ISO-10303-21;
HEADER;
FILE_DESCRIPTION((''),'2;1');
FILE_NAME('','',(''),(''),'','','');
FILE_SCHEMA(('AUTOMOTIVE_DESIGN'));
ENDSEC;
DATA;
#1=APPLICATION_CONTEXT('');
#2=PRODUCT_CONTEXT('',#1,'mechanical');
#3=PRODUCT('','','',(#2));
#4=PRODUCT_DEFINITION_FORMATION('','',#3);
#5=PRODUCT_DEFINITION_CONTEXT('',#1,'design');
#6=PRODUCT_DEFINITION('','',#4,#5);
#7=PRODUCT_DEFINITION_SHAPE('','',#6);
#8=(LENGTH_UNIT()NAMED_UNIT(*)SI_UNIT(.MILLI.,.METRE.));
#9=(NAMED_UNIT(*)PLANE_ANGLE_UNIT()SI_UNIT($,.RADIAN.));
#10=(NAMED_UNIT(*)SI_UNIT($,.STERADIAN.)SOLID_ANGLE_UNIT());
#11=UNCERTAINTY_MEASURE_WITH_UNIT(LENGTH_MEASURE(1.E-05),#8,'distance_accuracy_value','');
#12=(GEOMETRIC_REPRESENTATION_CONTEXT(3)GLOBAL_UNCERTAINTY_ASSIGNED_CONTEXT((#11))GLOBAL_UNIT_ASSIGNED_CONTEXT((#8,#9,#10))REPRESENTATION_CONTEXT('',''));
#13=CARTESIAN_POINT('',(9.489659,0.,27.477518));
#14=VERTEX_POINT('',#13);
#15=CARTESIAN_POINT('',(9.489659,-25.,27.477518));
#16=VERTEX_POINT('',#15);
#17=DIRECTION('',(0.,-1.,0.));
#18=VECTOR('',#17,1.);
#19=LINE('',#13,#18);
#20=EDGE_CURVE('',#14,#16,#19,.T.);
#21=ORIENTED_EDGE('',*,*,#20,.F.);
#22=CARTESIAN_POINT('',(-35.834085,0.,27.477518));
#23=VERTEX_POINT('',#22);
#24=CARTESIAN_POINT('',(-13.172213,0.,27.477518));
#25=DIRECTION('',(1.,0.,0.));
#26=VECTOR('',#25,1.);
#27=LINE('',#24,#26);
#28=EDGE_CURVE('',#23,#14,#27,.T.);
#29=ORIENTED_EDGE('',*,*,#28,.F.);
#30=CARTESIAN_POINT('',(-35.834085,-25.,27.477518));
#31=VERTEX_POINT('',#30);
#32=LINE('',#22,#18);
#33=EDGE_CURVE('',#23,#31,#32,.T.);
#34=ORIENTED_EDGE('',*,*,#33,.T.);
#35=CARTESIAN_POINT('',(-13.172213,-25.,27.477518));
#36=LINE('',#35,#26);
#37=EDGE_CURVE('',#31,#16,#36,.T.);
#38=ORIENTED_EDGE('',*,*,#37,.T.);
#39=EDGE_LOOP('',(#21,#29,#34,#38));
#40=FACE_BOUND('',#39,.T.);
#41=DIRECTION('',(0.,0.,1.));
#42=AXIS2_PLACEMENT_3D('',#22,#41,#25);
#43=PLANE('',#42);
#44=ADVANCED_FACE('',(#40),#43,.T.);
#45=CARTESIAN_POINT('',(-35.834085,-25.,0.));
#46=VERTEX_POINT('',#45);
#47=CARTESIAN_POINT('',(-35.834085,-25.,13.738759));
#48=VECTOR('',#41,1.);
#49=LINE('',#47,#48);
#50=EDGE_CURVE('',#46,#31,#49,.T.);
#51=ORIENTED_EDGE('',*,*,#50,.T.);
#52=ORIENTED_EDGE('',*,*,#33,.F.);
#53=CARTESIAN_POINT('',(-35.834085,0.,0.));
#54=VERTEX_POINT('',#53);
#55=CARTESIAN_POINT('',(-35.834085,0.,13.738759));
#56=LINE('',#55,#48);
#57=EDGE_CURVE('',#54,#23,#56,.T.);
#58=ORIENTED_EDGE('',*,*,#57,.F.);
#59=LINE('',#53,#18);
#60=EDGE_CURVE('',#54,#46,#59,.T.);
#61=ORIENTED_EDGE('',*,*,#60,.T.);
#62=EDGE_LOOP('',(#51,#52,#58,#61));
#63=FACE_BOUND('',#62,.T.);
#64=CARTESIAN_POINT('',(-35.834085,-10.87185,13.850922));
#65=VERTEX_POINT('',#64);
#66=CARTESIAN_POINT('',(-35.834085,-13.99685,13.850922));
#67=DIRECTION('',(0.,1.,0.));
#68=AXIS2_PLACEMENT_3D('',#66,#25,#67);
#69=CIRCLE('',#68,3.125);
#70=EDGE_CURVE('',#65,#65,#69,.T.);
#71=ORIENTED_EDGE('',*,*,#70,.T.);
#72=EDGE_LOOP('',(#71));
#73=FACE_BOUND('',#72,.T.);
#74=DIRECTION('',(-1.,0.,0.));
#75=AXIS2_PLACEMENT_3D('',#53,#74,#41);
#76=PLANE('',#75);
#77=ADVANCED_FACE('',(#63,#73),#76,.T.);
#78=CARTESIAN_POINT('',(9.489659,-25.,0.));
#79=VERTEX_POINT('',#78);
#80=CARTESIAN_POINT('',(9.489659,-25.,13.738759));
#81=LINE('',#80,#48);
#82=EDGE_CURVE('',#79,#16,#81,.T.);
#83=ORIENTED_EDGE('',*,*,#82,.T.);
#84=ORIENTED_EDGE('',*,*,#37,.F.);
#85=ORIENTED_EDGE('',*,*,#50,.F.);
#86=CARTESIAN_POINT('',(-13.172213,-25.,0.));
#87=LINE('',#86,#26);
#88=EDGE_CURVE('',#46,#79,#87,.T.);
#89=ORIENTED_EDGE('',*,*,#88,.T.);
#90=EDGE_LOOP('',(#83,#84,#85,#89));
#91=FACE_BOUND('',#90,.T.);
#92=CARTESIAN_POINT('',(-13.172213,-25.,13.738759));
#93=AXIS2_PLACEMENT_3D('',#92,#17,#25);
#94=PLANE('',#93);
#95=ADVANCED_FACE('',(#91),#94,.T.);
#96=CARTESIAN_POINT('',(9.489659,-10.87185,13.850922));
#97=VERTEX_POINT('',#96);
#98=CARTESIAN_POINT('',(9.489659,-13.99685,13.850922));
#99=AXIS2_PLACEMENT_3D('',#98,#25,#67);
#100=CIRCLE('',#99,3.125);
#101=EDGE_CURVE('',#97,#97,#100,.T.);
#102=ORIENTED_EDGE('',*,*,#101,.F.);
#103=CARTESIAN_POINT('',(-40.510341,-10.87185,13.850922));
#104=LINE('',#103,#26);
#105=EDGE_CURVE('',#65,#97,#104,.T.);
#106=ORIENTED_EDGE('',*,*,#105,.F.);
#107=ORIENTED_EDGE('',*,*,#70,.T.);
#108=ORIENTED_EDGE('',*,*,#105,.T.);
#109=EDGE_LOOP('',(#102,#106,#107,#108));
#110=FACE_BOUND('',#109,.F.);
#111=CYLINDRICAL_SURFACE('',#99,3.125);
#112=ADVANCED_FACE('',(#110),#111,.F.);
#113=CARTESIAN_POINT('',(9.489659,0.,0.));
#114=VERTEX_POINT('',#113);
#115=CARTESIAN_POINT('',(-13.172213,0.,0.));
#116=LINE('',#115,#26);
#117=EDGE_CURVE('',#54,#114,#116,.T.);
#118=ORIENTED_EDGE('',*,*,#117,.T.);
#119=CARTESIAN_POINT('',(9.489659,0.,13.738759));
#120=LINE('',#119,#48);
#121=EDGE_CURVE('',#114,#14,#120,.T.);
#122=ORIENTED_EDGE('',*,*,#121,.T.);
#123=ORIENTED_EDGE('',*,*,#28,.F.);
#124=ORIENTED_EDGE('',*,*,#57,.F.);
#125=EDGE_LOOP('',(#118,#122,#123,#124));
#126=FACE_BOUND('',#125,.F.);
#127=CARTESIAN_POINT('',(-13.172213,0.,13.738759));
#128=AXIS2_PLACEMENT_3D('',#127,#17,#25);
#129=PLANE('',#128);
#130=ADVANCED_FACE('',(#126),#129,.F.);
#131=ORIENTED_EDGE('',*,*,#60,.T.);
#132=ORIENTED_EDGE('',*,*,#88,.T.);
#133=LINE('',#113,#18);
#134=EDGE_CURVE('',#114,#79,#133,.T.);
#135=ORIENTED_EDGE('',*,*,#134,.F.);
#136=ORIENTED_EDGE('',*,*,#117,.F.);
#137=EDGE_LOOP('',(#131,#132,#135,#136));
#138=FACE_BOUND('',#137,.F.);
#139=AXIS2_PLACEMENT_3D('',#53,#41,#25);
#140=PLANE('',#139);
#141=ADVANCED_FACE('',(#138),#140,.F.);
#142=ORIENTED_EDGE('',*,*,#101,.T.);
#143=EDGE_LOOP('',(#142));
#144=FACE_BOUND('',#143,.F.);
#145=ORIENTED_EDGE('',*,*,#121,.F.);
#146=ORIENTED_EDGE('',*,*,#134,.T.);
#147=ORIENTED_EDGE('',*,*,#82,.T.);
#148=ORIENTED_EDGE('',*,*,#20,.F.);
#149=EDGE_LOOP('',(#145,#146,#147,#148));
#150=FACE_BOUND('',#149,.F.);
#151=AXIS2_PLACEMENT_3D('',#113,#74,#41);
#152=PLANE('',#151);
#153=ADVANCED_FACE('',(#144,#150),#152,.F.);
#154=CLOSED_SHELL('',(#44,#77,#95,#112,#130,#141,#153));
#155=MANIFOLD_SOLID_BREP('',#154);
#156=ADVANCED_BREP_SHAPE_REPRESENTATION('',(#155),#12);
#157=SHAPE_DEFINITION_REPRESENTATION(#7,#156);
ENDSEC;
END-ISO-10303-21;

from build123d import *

# Parameters (mm, degrees)
F0_W     = 45.323744
F0_H     = 27.477518
F1_DEPTH = 25
F2_R     = 3.125
F3_DEPTH = 50


with BuildPart() as f1:
    # F0 (on Front) → F1 (new body)
    with BuildSketch(Plane.XZ):
        with Locations((-13.172213, 13.738759)):
            Rectangle(F0_W, F0_H)
    extrude(amount=F1_DEPTH)

    # F2 (on face) → F3 (cut, symmetric)
    with BuildSketch(Plane.YZ.offset(9.489659)):
        with Locations((-13.99685, 13.850922)):
            Circle(F2_R)
    extrude(amount=F3_DEPTH, both=True, mode=Mode.SUBTRACT)


solid = f1.part
